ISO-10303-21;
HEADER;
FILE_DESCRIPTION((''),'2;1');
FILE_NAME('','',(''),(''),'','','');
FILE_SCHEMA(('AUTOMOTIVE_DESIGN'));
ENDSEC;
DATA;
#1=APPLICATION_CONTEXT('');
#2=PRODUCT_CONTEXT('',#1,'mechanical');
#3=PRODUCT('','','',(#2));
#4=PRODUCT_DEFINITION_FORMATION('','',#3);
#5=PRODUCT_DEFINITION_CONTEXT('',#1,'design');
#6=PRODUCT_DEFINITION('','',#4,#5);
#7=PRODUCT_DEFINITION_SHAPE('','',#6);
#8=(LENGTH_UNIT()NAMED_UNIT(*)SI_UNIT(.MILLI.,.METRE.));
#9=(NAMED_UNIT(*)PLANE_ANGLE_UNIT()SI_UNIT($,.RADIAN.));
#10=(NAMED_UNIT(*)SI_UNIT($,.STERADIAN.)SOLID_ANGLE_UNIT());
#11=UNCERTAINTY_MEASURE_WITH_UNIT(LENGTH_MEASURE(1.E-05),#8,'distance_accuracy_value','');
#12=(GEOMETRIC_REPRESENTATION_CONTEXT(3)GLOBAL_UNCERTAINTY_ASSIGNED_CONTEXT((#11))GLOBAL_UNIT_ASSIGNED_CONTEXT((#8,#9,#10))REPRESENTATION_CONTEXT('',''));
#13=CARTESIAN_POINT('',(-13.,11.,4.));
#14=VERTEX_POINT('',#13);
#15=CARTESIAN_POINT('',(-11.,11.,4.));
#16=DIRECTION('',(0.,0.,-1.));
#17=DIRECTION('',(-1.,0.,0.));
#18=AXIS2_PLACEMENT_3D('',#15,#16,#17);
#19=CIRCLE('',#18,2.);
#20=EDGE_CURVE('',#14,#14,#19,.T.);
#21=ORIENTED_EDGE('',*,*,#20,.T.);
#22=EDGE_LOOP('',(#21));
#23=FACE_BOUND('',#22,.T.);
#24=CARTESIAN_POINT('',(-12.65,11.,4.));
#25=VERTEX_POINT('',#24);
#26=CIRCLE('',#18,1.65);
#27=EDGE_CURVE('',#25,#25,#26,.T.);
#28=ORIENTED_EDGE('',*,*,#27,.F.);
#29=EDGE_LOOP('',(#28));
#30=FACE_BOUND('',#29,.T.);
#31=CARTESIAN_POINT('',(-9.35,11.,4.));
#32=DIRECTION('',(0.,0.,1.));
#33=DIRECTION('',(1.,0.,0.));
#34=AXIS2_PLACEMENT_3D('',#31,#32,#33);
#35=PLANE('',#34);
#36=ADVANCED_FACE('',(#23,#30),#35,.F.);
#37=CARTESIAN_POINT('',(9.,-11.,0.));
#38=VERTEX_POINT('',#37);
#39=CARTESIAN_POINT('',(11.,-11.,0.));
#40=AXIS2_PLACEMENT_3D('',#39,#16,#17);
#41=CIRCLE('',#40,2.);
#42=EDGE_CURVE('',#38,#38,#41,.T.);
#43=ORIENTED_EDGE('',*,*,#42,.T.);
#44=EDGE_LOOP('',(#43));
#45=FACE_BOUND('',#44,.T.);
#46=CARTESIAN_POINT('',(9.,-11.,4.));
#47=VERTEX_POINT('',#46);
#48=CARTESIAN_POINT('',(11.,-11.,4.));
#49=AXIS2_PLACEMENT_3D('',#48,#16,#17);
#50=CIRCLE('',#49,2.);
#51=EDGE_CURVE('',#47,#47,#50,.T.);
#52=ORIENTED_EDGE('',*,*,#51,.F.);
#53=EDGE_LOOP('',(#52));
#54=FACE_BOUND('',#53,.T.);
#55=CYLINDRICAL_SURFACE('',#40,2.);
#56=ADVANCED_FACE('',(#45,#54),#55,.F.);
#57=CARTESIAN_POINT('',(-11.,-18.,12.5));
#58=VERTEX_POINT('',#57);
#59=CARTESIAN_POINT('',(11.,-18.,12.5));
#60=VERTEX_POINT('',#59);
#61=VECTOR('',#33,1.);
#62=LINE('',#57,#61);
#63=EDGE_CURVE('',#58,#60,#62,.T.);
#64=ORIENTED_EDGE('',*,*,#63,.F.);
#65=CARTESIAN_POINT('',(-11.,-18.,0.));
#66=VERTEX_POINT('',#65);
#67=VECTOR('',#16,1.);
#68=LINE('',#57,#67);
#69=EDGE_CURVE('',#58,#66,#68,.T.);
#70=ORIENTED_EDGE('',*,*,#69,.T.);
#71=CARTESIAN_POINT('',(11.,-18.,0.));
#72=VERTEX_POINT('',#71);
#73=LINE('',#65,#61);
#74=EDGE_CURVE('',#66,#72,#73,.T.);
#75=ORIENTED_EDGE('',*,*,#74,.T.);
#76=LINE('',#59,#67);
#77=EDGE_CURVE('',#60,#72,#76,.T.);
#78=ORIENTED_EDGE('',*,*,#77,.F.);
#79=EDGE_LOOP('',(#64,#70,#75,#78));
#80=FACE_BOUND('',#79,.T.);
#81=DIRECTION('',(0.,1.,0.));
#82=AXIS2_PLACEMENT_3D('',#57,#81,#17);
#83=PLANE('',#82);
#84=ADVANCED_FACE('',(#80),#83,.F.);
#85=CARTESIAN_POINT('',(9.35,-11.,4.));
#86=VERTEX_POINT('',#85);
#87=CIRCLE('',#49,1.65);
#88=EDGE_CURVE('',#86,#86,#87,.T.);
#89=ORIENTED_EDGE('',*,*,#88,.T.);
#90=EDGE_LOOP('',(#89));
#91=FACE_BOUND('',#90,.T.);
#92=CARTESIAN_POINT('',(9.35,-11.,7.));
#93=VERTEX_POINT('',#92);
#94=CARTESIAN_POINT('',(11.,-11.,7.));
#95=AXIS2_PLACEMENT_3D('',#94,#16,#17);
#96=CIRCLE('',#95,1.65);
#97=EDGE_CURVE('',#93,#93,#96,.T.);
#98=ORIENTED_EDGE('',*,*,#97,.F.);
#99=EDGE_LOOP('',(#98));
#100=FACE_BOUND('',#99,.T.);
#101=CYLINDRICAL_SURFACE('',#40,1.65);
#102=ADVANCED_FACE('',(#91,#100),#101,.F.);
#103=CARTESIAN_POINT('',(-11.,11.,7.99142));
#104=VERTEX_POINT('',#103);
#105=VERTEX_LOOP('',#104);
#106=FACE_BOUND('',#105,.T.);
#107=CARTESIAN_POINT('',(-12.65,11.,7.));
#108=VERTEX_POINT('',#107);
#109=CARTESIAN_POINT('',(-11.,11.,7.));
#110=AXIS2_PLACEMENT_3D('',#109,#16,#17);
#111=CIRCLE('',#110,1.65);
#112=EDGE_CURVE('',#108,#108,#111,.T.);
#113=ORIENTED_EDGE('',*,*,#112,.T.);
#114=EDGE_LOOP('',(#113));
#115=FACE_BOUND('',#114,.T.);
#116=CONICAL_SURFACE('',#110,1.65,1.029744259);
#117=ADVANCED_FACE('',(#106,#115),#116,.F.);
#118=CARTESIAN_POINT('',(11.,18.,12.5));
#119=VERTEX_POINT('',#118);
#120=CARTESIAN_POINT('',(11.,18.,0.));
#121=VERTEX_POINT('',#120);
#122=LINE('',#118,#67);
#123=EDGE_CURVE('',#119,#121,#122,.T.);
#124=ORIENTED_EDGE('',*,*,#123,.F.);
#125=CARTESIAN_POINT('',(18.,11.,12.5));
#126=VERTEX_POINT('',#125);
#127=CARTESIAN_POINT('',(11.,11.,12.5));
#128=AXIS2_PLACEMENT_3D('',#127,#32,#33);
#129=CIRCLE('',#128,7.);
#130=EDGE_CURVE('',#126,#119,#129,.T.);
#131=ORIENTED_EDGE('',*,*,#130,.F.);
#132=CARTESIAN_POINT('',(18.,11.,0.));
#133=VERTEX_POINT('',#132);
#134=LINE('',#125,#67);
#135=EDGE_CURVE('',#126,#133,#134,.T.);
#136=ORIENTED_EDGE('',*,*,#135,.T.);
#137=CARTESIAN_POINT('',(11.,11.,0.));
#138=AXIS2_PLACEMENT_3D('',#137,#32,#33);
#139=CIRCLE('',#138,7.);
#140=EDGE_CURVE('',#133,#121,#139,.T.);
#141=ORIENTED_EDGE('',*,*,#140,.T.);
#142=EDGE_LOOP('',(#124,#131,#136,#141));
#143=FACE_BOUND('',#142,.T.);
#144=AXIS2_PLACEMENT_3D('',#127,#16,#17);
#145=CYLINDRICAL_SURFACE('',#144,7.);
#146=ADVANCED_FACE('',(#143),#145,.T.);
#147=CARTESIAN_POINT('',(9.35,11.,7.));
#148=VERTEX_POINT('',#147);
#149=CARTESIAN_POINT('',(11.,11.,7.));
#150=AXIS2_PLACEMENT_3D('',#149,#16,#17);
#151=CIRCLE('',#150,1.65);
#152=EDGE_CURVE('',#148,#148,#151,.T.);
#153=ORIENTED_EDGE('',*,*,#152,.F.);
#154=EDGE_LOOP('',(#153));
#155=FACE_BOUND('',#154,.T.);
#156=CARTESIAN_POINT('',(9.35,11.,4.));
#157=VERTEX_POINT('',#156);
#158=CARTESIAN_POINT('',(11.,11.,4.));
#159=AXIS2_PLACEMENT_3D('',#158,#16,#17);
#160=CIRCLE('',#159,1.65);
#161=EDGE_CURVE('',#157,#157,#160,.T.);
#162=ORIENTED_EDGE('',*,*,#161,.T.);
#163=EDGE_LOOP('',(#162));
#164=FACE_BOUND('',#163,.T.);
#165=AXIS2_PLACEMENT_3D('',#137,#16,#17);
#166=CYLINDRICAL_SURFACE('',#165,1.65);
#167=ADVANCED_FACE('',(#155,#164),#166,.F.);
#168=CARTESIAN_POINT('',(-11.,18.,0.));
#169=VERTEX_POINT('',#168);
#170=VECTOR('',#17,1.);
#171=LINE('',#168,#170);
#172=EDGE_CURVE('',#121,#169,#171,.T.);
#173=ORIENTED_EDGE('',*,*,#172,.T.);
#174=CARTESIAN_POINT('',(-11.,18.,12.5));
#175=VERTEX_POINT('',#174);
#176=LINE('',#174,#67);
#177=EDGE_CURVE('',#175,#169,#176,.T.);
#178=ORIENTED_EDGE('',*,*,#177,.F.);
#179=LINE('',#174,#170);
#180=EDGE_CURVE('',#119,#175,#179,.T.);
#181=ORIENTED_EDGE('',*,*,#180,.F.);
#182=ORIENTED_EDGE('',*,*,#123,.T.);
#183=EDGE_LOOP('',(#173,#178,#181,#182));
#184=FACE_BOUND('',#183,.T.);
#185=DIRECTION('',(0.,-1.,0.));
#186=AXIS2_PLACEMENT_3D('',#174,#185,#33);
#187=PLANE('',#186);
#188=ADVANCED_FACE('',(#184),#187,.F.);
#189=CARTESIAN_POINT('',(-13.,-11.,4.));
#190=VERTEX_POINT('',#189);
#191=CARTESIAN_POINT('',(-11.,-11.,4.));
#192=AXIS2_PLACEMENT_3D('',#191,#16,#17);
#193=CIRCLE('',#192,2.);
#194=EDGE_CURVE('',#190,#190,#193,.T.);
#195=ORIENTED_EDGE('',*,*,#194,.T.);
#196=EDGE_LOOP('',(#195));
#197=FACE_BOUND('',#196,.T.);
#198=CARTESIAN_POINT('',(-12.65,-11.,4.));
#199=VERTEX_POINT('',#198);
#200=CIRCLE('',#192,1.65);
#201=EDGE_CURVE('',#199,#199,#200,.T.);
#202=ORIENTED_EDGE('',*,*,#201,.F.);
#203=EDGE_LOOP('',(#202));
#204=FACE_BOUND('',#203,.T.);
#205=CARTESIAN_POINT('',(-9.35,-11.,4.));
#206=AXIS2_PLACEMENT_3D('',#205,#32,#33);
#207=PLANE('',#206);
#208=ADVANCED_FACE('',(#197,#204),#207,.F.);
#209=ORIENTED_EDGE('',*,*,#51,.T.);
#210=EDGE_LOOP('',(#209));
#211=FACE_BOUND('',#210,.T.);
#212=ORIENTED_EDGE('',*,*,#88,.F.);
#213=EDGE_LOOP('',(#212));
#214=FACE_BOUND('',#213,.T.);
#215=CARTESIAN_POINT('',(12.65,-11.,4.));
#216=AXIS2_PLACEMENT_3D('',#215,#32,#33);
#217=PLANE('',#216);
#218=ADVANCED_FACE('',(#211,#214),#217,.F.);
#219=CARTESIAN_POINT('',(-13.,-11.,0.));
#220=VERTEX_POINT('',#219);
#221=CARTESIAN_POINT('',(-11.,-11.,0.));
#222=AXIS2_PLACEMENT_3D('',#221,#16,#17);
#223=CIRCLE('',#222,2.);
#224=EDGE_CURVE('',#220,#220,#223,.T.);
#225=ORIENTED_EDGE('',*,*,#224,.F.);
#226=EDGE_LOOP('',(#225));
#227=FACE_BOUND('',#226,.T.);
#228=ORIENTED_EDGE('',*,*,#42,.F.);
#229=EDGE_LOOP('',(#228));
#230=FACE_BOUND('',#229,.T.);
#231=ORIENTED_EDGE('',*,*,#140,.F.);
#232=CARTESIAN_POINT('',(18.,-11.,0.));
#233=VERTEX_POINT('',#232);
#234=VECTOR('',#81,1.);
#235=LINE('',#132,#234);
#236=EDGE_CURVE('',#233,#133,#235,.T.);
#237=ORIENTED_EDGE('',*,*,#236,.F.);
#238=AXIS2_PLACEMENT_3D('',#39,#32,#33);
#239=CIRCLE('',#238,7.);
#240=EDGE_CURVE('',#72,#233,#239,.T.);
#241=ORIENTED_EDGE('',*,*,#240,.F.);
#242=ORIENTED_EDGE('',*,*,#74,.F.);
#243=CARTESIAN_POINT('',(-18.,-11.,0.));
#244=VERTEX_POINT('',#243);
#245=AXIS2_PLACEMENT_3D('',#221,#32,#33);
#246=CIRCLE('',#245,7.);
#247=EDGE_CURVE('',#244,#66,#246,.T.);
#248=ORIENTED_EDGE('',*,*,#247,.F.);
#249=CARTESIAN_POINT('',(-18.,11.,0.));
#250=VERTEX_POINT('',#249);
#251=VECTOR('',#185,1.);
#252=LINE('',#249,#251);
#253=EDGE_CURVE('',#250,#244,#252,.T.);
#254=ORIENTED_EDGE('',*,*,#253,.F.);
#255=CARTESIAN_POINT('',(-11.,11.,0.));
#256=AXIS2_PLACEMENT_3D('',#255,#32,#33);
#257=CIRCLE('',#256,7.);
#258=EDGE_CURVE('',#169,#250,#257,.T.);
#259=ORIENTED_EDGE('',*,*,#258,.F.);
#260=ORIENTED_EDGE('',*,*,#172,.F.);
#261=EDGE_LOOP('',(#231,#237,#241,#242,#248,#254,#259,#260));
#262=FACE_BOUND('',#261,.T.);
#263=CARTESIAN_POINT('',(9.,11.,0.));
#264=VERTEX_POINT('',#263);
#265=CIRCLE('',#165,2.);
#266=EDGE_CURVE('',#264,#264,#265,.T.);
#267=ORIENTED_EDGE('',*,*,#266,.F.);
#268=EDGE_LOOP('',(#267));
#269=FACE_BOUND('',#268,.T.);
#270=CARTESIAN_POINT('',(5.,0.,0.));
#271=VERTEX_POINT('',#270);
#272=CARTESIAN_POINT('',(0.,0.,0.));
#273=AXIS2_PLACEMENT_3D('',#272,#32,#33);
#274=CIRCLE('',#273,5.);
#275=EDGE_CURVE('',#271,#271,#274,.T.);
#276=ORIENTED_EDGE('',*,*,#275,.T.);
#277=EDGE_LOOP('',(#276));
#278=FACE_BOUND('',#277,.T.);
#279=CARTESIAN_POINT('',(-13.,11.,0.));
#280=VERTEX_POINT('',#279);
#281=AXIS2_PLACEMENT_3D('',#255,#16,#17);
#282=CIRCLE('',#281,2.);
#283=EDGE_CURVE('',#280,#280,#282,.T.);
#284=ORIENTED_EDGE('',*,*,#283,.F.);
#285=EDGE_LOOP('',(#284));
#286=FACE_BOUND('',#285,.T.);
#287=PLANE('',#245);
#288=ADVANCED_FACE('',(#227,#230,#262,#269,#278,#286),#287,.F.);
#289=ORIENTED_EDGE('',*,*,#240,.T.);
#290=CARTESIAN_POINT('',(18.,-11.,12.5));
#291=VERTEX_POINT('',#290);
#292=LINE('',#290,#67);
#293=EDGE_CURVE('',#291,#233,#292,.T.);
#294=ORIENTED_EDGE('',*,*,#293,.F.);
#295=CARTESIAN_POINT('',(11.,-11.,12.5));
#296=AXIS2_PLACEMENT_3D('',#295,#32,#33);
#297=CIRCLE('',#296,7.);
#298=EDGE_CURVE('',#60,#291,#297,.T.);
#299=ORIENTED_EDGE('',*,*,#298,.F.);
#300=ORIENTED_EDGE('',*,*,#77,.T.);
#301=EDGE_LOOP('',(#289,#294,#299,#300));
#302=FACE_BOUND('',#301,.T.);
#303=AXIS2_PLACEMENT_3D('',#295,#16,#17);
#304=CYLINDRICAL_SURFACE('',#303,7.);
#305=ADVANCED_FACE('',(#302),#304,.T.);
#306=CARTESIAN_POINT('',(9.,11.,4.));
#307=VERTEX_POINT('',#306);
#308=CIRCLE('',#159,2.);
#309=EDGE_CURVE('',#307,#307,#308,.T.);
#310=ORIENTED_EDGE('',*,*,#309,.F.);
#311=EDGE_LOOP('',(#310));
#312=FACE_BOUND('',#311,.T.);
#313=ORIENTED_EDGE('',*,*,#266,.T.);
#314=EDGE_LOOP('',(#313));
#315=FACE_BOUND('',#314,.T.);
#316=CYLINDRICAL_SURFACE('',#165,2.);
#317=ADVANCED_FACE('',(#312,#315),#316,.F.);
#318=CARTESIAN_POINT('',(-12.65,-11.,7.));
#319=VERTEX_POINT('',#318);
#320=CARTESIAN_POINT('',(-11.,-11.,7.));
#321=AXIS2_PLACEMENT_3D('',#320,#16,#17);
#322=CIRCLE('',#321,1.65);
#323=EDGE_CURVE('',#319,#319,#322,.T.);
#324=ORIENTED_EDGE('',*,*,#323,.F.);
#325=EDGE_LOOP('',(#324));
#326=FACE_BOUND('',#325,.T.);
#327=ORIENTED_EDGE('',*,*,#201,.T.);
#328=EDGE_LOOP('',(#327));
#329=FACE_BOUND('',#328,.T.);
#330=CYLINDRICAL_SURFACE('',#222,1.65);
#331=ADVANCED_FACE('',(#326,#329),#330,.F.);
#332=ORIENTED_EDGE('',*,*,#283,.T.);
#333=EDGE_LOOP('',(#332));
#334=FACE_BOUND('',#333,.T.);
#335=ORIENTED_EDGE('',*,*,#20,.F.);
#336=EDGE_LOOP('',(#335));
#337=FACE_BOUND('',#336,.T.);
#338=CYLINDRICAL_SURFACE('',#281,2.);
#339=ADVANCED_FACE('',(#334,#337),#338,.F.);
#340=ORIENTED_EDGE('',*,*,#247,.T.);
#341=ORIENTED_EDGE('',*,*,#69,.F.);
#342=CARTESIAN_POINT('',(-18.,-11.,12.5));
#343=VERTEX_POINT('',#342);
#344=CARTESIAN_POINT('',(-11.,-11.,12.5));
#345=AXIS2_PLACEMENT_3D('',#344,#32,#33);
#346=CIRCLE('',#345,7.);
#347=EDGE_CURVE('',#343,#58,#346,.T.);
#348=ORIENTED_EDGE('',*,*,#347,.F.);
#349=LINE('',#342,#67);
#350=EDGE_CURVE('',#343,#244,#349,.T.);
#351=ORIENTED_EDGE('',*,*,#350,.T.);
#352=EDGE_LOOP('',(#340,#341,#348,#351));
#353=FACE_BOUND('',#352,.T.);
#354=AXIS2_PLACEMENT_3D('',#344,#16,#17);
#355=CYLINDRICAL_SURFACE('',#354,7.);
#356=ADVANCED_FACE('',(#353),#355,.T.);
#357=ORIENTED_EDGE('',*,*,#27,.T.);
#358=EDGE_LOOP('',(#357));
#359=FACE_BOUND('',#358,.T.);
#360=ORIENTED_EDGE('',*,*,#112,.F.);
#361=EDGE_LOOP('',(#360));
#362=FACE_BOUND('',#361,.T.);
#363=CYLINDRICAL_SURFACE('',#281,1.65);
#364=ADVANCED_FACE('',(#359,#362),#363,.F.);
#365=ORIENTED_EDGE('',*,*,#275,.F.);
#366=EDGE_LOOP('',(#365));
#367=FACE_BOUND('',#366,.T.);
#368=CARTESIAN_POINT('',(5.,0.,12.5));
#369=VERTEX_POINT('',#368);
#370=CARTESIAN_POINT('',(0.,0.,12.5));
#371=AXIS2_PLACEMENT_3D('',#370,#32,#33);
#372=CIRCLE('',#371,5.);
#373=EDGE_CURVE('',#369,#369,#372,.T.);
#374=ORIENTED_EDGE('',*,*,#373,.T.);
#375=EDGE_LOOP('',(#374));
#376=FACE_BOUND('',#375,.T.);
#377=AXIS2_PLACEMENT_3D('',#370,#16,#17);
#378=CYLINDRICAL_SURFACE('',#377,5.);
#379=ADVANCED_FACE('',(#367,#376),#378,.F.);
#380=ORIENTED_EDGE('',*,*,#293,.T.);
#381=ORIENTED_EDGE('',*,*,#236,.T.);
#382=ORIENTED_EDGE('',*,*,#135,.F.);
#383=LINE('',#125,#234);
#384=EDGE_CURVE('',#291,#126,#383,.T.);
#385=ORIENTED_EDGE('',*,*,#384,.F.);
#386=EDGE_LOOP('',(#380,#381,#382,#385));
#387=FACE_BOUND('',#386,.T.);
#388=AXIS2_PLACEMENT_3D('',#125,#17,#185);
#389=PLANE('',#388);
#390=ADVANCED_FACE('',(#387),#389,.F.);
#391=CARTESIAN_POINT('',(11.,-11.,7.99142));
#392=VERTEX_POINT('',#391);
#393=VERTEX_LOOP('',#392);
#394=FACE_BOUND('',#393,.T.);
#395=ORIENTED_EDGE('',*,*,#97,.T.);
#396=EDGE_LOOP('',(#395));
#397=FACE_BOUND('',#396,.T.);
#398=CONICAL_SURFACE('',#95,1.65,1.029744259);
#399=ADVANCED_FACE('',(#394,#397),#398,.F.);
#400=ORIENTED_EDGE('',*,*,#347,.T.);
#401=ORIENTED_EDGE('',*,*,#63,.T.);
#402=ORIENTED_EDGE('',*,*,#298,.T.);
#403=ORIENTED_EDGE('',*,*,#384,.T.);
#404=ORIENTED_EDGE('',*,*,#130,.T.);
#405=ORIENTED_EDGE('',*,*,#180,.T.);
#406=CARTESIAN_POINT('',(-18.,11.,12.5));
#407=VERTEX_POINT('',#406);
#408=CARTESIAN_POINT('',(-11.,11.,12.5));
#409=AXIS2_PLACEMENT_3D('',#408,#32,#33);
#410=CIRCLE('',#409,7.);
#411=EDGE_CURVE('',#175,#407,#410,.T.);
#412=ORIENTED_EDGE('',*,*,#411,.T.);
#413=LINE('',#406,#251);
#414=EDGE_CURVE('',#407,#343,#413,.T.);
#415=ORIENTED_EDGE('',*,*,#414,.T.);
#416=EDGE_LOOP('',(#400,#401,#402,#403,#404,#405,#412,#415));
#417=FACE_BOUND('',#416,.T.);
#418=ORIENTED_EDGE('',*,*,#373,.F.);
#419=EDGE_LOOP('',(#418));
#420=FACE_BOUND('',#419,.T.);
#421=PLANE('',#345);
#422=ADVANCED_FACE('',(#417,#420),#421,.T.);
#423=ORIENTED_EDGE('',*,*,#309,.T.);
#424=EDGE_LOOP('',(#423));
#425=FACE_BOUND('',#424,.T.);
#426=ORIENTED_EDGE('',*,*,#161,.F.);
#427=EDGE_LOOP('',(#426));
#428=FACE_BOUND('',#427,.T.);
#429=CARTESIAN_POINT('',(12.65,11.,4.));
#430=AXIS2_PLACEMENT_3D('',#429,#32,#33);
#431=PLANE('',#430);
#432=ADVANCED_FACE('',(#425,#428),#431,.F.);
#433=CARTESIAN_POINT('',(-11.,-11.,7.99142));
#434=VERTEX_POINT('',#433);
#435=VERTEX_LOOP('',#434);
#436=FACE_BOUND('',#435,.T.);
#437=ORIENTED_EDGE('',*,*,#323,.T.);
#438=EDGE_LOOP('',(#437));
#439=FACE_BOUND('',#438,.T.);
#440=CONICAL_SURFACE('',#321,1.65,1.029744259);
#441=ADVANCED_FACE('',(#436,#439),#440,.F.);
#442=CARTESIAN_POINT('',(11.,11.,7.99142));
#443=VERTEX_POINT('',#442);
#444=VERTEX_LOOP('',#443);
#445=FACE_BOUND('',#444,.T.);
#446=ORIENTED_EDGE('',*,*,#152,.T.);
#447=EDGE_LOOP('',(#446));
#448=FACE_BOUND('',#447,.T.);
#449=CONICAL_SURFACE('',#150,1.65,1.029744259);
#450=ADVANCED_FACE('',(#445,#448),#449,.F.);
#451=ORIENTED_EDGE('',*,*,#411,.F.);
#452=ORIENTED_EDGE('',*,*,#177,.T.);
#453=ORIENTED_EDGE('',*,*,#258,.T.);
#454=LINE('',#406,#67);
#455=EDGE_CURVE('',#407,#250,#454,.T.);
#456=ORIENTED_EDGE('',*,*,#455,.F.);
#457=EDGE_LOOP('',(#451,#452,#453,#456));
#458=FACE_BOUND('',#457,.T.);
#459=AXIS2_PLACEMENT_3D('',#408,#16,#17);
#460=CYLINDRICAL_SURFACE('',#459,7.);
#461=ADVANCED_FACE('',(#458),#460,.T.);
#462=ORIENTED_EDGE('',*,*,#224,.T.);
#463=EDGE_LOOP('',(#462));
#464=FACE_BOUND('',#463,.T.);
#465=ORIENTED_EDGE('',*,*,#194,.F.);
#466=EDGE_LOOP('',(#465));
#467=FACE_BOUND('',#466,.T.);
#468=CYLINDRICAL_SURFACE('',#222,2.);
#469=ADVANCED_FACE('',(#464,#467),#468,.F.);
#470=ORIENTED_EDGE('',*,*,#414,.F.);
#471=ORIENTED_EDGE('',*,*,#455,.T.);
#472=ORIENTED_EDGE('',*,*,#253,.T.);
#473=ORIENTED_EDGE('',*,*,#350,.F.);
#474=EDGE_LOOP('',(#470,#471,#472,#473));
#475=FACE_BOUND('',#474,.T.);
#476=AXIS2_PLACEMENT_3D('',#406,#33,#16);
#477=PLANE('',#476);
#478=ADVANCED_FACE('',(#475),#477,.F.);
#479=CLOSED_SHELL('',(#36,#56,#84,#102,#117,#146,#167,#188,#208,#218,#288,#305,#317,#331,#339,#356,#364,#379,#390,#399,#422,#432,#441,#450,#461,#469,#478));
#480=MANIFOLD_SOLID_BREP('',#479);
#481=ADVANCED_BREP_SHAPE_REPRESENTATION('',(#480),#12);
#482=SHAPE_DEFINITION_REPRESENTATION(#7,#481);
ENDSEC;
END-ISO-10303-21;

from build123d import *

# Parameters (mm, degrees)
ESBO_O1_R                       = 5
RESSALTO_EXTRUS_O1_DEPTH        = 12.5
FURO_ROSCADO_DE_M41_D           = 3.3
FURO_ROSCADO_DE_M41_DEPTH       = 7
FURO_ROSCADO_DE_M41_CBORE_D     = 4
FURO_ROSCADO_DE_M41_CBORE_DEPTH = 4
FURO_ROSCADO_DE_M41_TIP         = 0.991420021


with BuildPart() as part:
    # Esboço1 → Ressalto-extrusão1 (new body)
    with BuildSketch(Plane.XY):
        with BuildLine():
            Line((-11, 18), (11, 18))
            ThreePointArc((11, 18), (15.949747468, 15.949747468), (18, 11))
            Line((18, 11), (18, -11))
            ThreePointArc((18, -11), (15.949747468, -15.949747468), (11, -18))
            Line((11, -18), (-11, -18))
            ThreePointArc((-11, -18), (-15.949747468, -15.949747468), (-18, -11))
            Line((-18, -11), (-18, 11))
            ThreePointArc((-18, 11), (-15.949747468, 15.949747468), (-11, 18))
        make_face()
        Circle(ESBO_O1_R, mode=Mode.SUBTRACT)
    extrude(amount=RESSALTO_EXTRUS_O1_DEPTH)

    # Furo roscado de M41
    with Locations(Plane(origin=(0, 0, 0), x_dir=(-1, 0, 0), z_dir=(0, 0, -1))):
        with Locations((11, -11), (0, 0), (11, 11), (-11, -11), (-11, 11)):
            CounterBoreHole(FURO_ROSCADO_DE_M41_D / 2, FURO_ROSCADO_DE_M41_CBORE_D / 2, FURO_ROSCADO_DE_M41_CBORE_DEPTH, depth=FURO_ROSCADO_DE_M41_DEPTH)
            with Locations((0, 0, -(FURO_ROSCADO_DE_M41_DEPTH + FURO_ROSCADO_DE_M41_TIP / 2))):  # 118° drill point
                Cone(0, FURO_ROSCADO_DE_M41_D / 2, FURO_ROSCADO_DE_M41_TIP, mode=Mode.SUBTRACT)


solid = part.part
